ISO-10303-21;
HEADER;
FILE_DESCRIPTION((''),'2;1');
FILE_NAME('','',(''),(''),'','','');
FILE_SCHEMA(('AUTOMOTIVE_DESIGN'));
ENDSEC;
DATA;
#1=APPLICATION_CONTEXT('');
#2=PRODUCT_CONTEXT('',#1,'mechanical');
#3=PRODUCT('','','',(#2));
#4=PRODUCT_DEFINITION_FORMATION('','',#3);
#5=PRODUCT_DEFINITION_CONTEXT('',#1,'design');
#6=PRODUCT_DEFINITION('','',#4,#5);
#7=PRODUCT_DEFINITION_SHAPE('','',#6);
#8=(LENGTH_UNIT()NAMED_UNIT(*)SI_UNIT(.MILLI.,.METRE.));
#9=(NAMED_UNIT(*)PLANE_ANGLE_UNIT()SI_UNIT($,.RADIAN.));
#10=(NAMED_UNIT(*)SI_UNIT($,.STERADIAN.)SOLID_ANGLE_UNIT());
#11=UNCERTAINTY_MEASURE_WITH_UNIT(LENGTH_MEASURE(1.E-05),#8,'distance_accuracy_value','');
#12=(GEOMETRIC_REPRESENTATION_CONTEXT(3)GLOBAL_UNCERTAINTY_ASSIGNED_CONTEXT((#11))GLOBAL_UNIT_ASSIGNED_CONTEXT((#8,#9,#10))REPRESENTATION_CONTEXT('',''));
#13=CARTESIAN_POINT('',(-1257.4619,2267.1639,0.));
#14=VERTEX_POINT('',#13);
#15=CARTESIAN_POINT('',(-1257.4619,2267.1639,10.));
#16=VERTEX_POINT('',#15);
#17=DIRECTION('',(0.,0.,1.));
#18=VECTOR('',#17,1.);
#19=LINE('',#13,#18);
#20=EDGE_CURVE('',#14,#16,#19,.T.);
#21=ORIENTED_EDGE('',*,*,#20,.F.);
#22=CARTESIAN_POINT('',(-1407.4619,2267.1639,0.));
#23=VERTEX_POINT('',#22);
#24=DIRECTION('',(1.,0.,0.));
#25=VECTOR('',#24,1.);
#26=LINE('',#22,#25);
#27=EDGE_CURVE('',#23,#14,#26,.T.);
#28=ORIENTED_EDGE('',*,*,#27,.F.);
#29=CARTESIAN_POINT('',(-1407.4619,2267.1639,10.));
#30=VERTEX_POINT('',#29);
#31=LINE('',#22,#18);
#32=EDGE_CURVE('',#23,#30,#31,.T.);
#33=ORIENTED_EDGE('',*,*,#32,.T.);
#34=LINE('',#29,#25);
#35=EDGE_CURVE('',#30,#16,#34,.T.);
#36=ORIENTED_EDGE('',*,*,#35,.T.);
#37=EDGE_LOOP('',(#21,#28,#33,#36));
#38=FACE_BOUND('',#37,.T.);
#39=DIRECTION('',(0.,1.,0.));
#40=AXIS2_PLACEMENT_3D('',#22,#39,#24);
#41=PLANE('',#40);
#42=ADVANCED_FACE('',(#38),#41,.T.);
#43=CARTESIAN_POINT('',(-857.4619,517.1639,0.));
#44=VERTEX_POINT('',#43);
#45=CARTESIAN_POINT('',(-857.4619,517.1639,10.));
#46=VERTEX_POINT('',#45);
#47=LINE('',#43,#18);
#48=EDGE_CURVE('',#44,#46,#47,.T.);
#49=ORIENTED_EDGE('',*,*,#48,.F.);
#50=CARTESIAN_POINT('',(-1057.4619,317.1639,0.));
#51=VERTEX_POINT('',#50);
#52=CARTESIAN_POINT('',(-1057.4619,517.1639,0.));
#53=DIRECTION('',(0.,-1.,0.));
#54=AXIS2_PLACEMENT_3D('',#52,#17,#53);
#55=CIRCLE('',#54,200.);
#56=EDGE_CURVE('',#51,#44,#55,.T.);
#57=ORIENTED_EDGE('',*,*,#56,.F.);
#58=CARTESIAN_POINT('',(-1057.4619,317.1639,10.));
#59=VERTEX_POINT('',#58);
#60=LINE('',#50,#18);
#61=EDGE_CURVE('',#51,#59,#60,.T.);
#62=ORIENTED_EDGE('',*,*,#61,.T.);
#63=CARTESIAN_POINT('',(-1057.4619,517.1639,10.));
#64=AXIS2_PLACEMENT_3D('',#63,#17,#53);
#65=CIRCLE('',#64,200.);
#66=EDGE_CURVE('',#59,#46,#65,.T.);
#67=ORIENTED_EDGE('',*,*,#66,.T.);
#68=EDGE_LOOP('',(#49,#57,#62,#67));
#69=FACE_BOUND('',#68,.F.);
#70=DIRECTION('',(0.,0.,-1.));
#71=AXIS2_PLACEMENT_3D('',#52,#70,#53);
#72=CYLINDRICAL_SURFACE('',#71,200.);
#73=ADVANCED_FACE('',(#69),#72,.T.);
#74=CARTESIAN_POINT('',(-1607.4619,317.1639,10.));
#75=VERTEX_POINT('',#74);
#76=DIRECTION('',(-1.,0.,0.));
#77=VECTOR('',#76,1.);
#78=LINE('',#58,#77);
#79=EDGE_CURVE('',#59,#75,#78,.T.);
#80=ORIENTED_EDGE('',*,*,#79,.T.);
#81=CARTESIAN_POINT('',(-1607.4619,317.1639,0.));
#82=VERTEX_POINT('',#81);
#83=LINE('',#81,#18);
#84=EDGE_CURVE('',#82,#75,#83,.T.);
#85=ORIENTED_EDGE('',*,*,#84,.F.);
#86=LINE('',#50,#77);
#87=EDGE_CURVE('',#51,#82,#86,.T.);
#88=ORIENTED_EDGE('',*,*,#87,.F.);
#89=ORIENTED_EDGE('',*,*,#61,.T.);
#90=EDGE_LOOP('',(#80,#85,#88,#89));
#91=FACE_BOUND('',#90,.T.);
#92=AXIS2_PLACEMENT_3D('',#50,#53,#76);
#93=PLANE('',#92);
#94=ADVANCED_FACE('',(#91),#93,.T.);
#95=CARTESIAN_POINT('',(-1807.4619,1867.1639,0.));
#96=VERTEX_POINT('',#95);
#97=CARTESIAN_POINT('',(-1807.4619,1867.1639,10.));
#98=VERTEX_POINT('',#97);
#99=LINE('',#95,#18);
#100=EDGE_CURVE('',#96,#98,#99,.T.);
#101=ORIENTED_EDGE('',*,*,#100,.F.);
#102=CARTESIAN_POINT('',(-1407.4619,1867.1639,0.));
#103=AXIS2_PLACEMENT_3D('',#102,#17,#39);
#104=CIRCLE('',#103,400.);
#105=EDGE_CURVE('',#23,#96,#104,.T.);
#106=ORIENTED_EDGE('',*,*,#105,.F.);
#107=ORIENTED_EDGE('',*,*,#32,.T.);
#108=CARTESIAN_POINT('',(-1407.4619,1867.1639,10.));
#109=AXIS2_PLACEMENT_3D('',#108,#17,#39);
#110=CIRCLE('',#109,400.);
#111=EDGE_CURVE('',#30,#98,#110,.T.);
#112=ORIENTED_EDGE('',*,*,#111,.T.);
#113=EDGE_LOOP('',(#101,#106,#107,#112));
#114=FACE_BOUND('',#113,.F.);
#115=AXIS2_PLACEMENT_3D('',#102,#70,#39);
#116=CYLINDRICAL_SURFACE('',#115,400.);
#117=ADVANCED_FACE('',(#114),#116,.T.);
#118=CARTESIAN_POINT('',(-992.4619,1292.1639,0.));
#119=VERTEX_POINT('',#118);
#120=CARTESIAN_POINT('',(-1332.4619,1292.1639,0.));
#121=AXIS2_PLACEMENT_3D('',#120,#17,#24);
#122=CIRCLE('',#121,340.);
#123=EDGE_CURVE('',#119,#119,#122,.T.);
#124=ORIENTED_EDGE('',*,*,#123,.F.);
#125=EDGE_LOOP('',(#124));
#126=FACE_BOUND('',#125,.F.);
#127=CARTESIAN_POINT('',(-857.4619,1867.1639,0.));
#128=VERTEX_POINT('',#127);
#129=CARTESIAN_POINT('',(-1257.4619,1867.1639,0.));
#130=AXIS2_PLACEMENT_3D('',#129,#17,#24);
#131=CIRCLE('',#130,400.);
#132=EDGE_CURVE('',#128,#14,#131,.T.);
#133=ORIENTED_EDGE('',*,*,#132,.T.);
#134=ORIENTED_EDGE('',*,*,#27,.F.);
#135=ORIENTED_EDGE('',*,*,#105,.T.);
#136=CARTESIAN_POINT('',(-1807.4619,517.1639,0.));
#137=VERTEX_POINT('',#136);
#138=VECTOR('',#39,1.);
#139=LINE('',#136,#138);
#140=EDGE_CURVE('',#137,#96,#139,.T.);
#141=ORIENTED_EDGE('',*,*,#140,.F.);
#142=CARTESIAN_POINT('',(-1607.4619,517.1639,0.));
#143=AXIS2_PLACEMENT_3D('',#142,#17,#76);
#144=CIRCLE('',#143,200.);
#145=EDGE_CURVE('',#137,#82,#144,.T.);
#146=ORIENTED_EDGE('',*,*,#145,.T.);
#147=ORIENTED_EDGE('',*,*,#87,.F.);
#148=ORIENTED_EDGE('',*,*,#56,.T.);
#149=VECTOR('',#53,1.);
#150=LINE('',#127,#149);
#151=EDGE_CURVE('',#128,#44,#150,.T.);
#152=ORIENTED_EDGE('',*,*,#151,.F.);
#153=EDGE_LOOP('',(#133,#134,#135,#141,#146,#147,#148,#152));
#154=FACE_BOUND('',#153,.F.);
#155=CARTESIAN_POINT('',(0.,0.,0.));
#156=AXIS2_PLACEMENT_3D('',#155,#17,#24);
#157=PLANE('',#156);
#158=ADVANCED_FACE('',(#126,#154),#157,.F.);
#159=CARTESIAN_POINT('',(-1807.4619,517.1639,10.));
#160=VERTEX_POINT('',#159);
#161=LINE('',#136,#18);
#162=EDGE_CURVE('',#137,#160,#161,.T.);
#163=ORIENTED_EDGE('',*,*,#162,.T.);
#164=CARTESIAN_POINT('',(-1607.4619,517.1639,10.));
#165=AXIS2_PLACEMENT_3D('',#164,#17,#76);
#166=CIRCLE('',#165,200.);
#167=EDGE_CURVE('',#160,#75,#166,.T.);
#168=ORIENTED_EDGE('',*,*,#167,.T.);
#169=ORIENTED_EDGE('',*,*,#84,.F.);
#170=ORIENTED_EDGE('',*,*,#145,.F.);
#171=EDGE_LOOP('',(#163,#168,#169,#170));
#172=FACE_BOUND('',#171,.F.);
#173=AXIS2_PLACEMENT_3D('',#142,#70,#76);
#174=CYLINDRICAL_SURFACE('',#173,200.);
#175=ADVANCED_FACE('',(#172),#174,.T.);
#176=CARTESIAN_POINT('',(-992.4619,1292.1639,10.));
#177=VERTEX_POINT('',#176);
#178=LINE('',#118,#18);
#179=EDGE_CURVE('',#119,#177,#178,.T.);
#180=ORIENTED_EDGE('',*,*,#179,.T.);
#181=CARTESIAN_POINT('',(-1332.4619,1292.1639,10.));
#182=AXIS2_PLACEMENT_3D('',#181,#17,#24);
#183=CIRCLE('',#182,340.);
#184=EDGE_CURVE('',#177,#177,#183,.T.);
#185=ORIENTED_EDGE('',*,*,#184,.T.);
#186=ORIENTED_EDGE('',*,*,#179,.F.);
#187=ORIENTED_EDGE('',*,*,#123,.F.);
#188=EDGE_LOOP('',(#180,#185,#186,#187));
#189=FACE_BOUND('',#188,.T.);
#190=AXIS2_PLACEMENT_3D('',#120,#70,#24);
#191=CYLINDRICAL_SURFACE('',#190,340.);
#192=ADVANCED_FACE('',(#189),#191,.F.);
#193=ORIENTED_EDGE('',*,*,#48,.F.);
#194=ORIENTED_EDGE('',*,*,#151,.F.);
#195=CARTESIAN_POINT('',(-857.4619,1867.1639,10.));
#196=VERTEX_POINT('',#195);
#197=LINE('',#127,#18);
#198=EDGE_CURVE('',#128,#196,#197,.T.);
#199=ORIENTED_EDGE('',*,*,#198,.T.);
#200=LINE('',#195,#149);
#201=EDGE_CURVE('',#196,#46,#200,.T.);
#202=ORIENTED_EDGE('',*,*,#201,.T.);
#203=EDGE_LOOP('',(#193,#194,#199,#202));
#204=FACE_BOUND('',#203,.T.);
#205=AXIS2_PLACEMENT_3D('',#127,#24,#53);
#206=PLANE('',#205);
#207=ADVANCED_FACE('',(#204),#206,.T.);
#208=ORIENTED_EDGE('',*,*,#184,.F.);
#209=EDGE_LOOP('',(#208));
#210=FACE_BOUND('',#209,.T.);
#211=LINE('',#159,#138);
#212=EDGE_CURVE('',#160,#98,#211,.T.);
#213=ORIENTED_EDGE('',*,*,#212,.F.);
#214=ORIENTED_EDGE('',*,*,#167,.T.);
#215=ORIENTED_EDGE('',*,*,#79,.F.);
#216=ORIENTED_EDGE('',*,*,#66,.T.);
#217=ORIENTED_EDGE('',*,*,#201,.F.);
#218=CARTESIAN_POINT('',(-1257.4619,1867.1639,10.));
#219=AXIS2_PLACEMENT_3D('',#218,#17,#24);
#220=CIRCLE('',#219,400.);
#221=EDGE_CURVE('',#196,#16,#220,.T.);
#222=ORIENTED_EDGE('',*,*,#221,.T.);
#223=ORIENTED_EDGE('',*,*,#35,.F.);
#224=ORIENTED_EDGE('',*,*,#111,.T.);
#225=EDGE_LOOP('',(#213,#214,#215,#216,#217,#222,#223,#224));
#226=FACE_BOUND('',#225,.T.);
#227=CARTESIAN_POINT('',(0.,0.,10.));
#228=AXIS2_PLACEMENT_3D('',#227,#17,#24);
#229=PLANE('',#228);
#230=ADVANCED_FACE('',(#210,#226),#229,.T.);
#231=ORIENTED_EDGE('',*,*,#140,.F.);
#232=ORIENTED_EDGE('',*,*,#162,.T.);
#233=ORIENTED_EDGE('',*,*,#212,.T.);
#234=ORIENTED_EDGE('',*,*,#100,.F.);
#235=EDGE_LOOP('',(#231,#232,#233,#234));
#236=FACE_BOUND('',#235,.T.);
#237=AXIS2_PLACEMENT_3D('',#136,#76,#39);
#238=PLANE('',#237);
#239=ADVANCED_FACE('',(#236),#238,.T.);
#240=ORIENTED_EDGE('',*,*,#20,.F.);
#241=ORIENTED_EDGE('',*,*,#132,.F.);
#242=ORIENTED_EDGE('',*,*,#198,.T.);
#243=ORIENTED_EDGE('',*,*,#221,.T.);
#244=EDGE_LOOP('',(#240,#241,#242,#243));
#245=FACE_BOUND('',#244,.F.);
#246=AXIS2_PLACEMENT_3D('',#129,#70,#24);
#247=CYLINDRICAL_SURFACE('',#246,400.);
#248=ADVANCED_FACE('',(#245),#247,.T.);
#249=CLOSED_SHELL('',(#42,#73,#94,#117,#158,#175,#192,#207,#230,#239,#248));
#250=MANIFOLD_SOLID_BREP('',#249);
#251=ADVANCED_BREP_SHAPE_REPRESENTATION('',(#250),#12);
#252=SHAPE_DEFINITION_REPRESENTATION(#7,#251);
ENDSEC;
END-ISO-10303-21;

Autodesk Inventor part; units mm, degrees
ref_plane "YZ Plane" through (0, 0, 0) normal (1, 0, 0) x (0, 1, 0)
ref_plane "XZ Plane" through (0, 0, 0) normal (0, 1, 0) x (-1, 0, 0)
ref_plane "XY Plane" through (0, 0, 0) normal (0, 0, 1) x (1, 0, 0)
sketch "Skizze2" plane through (0, 0, 0) normal (0, 0, 1) x (1, 0, 0)
  line L0 (-1807.4619, 517.1639) -> (-1807.4619, 1867.1639)
  line L1 (-1407.4619, 2267.1639) -> (-1257.4619, 2267.1639)
  line L2 (-857.4619, 1867.1639) -> (-857.4619, 517.1639)
  line L3 (-1057.4619, 317.1639) -> (-1607.4619, 317.1639)
  arc A0 (-1407.4619, 2267.1639) -> (-1807.4619, 1867.1639) centre (-1407.4619, 1867.1639) ccw
  arc A1 (-857.4619, 1867.1639) -> (-1257.4619, 2267.1639) centre (-1257.4619, 1867.1639) ccw
  arc A2 (-1807.4619, 517.1639) -> (-1607.4619, 317.1639) centre (-1607.4619, 517.1639) ccw
  arc A3 (-1057.4619, 317.1639) -> (-857.4619, 517.1639) centre (-1057.4619, 517.1639) ccw
  circle A4 centre (-1332.4619, 1292.1639) radius 340
  point P0 (-857.4619, 2267.1639)
  point P1 (-1807.4619, 2267.1639)
  point P2 (-857.4619, 317.1639)
  dimension "d0" = 950
  dimension "d1" = 1950
  dimension "d2" = 400
  dimension "d3" = 200
  dimension "d4" = 680
  dimension "d17" = 475
  dimension "d18" = 975
extrude "Extrusion1" add sketch "Skizze2" along normal blind 10
sketch "Skizze3" plane through (0, 0, 10) normal (0, 0, 1) x (1, 0, 0)
  line L0 (-1202.4619, 1742.1639) -> (-1202.4619, 842.1639)
  line L1 (-1202.4619, 842.1639) -> (-1242.4619, 842.1639)
  line L2 (-1242.4619, 842.1639) -> (-1242.4619, 1742.1639)
  line L3 (-1242.4619, 1742.1639) -> (-1202.4619, 1742.1639)
  line L4 (-1462.4619, 842.1639) -> (-1462.4619, 1742.1639)
  line L5 (-1462.4619, 1742.1639) -> (-1422.4619, 1742.1639)
  line L6 (-1422.4619, 1742.1639) -> (-1422.4619, 842.1639)
  line L7 (-1422.4619, 842.1639) -> (-1462.4619, 842.1639)
  circle A0 centre (-1332.4619, 1292.1639) radius 340 projected
  point P0 (0, 0)
  dimension "d9" = 900
  dimension "d10" = 40
  dimension "d13" = 900
  dimension "d14" = 40
  dimension "d20" = 260
  dimension "d21" = 0
  dimension "d23" = 130
  dimension "d24" = 450
properties part number "Bodenplatte-Holz"
